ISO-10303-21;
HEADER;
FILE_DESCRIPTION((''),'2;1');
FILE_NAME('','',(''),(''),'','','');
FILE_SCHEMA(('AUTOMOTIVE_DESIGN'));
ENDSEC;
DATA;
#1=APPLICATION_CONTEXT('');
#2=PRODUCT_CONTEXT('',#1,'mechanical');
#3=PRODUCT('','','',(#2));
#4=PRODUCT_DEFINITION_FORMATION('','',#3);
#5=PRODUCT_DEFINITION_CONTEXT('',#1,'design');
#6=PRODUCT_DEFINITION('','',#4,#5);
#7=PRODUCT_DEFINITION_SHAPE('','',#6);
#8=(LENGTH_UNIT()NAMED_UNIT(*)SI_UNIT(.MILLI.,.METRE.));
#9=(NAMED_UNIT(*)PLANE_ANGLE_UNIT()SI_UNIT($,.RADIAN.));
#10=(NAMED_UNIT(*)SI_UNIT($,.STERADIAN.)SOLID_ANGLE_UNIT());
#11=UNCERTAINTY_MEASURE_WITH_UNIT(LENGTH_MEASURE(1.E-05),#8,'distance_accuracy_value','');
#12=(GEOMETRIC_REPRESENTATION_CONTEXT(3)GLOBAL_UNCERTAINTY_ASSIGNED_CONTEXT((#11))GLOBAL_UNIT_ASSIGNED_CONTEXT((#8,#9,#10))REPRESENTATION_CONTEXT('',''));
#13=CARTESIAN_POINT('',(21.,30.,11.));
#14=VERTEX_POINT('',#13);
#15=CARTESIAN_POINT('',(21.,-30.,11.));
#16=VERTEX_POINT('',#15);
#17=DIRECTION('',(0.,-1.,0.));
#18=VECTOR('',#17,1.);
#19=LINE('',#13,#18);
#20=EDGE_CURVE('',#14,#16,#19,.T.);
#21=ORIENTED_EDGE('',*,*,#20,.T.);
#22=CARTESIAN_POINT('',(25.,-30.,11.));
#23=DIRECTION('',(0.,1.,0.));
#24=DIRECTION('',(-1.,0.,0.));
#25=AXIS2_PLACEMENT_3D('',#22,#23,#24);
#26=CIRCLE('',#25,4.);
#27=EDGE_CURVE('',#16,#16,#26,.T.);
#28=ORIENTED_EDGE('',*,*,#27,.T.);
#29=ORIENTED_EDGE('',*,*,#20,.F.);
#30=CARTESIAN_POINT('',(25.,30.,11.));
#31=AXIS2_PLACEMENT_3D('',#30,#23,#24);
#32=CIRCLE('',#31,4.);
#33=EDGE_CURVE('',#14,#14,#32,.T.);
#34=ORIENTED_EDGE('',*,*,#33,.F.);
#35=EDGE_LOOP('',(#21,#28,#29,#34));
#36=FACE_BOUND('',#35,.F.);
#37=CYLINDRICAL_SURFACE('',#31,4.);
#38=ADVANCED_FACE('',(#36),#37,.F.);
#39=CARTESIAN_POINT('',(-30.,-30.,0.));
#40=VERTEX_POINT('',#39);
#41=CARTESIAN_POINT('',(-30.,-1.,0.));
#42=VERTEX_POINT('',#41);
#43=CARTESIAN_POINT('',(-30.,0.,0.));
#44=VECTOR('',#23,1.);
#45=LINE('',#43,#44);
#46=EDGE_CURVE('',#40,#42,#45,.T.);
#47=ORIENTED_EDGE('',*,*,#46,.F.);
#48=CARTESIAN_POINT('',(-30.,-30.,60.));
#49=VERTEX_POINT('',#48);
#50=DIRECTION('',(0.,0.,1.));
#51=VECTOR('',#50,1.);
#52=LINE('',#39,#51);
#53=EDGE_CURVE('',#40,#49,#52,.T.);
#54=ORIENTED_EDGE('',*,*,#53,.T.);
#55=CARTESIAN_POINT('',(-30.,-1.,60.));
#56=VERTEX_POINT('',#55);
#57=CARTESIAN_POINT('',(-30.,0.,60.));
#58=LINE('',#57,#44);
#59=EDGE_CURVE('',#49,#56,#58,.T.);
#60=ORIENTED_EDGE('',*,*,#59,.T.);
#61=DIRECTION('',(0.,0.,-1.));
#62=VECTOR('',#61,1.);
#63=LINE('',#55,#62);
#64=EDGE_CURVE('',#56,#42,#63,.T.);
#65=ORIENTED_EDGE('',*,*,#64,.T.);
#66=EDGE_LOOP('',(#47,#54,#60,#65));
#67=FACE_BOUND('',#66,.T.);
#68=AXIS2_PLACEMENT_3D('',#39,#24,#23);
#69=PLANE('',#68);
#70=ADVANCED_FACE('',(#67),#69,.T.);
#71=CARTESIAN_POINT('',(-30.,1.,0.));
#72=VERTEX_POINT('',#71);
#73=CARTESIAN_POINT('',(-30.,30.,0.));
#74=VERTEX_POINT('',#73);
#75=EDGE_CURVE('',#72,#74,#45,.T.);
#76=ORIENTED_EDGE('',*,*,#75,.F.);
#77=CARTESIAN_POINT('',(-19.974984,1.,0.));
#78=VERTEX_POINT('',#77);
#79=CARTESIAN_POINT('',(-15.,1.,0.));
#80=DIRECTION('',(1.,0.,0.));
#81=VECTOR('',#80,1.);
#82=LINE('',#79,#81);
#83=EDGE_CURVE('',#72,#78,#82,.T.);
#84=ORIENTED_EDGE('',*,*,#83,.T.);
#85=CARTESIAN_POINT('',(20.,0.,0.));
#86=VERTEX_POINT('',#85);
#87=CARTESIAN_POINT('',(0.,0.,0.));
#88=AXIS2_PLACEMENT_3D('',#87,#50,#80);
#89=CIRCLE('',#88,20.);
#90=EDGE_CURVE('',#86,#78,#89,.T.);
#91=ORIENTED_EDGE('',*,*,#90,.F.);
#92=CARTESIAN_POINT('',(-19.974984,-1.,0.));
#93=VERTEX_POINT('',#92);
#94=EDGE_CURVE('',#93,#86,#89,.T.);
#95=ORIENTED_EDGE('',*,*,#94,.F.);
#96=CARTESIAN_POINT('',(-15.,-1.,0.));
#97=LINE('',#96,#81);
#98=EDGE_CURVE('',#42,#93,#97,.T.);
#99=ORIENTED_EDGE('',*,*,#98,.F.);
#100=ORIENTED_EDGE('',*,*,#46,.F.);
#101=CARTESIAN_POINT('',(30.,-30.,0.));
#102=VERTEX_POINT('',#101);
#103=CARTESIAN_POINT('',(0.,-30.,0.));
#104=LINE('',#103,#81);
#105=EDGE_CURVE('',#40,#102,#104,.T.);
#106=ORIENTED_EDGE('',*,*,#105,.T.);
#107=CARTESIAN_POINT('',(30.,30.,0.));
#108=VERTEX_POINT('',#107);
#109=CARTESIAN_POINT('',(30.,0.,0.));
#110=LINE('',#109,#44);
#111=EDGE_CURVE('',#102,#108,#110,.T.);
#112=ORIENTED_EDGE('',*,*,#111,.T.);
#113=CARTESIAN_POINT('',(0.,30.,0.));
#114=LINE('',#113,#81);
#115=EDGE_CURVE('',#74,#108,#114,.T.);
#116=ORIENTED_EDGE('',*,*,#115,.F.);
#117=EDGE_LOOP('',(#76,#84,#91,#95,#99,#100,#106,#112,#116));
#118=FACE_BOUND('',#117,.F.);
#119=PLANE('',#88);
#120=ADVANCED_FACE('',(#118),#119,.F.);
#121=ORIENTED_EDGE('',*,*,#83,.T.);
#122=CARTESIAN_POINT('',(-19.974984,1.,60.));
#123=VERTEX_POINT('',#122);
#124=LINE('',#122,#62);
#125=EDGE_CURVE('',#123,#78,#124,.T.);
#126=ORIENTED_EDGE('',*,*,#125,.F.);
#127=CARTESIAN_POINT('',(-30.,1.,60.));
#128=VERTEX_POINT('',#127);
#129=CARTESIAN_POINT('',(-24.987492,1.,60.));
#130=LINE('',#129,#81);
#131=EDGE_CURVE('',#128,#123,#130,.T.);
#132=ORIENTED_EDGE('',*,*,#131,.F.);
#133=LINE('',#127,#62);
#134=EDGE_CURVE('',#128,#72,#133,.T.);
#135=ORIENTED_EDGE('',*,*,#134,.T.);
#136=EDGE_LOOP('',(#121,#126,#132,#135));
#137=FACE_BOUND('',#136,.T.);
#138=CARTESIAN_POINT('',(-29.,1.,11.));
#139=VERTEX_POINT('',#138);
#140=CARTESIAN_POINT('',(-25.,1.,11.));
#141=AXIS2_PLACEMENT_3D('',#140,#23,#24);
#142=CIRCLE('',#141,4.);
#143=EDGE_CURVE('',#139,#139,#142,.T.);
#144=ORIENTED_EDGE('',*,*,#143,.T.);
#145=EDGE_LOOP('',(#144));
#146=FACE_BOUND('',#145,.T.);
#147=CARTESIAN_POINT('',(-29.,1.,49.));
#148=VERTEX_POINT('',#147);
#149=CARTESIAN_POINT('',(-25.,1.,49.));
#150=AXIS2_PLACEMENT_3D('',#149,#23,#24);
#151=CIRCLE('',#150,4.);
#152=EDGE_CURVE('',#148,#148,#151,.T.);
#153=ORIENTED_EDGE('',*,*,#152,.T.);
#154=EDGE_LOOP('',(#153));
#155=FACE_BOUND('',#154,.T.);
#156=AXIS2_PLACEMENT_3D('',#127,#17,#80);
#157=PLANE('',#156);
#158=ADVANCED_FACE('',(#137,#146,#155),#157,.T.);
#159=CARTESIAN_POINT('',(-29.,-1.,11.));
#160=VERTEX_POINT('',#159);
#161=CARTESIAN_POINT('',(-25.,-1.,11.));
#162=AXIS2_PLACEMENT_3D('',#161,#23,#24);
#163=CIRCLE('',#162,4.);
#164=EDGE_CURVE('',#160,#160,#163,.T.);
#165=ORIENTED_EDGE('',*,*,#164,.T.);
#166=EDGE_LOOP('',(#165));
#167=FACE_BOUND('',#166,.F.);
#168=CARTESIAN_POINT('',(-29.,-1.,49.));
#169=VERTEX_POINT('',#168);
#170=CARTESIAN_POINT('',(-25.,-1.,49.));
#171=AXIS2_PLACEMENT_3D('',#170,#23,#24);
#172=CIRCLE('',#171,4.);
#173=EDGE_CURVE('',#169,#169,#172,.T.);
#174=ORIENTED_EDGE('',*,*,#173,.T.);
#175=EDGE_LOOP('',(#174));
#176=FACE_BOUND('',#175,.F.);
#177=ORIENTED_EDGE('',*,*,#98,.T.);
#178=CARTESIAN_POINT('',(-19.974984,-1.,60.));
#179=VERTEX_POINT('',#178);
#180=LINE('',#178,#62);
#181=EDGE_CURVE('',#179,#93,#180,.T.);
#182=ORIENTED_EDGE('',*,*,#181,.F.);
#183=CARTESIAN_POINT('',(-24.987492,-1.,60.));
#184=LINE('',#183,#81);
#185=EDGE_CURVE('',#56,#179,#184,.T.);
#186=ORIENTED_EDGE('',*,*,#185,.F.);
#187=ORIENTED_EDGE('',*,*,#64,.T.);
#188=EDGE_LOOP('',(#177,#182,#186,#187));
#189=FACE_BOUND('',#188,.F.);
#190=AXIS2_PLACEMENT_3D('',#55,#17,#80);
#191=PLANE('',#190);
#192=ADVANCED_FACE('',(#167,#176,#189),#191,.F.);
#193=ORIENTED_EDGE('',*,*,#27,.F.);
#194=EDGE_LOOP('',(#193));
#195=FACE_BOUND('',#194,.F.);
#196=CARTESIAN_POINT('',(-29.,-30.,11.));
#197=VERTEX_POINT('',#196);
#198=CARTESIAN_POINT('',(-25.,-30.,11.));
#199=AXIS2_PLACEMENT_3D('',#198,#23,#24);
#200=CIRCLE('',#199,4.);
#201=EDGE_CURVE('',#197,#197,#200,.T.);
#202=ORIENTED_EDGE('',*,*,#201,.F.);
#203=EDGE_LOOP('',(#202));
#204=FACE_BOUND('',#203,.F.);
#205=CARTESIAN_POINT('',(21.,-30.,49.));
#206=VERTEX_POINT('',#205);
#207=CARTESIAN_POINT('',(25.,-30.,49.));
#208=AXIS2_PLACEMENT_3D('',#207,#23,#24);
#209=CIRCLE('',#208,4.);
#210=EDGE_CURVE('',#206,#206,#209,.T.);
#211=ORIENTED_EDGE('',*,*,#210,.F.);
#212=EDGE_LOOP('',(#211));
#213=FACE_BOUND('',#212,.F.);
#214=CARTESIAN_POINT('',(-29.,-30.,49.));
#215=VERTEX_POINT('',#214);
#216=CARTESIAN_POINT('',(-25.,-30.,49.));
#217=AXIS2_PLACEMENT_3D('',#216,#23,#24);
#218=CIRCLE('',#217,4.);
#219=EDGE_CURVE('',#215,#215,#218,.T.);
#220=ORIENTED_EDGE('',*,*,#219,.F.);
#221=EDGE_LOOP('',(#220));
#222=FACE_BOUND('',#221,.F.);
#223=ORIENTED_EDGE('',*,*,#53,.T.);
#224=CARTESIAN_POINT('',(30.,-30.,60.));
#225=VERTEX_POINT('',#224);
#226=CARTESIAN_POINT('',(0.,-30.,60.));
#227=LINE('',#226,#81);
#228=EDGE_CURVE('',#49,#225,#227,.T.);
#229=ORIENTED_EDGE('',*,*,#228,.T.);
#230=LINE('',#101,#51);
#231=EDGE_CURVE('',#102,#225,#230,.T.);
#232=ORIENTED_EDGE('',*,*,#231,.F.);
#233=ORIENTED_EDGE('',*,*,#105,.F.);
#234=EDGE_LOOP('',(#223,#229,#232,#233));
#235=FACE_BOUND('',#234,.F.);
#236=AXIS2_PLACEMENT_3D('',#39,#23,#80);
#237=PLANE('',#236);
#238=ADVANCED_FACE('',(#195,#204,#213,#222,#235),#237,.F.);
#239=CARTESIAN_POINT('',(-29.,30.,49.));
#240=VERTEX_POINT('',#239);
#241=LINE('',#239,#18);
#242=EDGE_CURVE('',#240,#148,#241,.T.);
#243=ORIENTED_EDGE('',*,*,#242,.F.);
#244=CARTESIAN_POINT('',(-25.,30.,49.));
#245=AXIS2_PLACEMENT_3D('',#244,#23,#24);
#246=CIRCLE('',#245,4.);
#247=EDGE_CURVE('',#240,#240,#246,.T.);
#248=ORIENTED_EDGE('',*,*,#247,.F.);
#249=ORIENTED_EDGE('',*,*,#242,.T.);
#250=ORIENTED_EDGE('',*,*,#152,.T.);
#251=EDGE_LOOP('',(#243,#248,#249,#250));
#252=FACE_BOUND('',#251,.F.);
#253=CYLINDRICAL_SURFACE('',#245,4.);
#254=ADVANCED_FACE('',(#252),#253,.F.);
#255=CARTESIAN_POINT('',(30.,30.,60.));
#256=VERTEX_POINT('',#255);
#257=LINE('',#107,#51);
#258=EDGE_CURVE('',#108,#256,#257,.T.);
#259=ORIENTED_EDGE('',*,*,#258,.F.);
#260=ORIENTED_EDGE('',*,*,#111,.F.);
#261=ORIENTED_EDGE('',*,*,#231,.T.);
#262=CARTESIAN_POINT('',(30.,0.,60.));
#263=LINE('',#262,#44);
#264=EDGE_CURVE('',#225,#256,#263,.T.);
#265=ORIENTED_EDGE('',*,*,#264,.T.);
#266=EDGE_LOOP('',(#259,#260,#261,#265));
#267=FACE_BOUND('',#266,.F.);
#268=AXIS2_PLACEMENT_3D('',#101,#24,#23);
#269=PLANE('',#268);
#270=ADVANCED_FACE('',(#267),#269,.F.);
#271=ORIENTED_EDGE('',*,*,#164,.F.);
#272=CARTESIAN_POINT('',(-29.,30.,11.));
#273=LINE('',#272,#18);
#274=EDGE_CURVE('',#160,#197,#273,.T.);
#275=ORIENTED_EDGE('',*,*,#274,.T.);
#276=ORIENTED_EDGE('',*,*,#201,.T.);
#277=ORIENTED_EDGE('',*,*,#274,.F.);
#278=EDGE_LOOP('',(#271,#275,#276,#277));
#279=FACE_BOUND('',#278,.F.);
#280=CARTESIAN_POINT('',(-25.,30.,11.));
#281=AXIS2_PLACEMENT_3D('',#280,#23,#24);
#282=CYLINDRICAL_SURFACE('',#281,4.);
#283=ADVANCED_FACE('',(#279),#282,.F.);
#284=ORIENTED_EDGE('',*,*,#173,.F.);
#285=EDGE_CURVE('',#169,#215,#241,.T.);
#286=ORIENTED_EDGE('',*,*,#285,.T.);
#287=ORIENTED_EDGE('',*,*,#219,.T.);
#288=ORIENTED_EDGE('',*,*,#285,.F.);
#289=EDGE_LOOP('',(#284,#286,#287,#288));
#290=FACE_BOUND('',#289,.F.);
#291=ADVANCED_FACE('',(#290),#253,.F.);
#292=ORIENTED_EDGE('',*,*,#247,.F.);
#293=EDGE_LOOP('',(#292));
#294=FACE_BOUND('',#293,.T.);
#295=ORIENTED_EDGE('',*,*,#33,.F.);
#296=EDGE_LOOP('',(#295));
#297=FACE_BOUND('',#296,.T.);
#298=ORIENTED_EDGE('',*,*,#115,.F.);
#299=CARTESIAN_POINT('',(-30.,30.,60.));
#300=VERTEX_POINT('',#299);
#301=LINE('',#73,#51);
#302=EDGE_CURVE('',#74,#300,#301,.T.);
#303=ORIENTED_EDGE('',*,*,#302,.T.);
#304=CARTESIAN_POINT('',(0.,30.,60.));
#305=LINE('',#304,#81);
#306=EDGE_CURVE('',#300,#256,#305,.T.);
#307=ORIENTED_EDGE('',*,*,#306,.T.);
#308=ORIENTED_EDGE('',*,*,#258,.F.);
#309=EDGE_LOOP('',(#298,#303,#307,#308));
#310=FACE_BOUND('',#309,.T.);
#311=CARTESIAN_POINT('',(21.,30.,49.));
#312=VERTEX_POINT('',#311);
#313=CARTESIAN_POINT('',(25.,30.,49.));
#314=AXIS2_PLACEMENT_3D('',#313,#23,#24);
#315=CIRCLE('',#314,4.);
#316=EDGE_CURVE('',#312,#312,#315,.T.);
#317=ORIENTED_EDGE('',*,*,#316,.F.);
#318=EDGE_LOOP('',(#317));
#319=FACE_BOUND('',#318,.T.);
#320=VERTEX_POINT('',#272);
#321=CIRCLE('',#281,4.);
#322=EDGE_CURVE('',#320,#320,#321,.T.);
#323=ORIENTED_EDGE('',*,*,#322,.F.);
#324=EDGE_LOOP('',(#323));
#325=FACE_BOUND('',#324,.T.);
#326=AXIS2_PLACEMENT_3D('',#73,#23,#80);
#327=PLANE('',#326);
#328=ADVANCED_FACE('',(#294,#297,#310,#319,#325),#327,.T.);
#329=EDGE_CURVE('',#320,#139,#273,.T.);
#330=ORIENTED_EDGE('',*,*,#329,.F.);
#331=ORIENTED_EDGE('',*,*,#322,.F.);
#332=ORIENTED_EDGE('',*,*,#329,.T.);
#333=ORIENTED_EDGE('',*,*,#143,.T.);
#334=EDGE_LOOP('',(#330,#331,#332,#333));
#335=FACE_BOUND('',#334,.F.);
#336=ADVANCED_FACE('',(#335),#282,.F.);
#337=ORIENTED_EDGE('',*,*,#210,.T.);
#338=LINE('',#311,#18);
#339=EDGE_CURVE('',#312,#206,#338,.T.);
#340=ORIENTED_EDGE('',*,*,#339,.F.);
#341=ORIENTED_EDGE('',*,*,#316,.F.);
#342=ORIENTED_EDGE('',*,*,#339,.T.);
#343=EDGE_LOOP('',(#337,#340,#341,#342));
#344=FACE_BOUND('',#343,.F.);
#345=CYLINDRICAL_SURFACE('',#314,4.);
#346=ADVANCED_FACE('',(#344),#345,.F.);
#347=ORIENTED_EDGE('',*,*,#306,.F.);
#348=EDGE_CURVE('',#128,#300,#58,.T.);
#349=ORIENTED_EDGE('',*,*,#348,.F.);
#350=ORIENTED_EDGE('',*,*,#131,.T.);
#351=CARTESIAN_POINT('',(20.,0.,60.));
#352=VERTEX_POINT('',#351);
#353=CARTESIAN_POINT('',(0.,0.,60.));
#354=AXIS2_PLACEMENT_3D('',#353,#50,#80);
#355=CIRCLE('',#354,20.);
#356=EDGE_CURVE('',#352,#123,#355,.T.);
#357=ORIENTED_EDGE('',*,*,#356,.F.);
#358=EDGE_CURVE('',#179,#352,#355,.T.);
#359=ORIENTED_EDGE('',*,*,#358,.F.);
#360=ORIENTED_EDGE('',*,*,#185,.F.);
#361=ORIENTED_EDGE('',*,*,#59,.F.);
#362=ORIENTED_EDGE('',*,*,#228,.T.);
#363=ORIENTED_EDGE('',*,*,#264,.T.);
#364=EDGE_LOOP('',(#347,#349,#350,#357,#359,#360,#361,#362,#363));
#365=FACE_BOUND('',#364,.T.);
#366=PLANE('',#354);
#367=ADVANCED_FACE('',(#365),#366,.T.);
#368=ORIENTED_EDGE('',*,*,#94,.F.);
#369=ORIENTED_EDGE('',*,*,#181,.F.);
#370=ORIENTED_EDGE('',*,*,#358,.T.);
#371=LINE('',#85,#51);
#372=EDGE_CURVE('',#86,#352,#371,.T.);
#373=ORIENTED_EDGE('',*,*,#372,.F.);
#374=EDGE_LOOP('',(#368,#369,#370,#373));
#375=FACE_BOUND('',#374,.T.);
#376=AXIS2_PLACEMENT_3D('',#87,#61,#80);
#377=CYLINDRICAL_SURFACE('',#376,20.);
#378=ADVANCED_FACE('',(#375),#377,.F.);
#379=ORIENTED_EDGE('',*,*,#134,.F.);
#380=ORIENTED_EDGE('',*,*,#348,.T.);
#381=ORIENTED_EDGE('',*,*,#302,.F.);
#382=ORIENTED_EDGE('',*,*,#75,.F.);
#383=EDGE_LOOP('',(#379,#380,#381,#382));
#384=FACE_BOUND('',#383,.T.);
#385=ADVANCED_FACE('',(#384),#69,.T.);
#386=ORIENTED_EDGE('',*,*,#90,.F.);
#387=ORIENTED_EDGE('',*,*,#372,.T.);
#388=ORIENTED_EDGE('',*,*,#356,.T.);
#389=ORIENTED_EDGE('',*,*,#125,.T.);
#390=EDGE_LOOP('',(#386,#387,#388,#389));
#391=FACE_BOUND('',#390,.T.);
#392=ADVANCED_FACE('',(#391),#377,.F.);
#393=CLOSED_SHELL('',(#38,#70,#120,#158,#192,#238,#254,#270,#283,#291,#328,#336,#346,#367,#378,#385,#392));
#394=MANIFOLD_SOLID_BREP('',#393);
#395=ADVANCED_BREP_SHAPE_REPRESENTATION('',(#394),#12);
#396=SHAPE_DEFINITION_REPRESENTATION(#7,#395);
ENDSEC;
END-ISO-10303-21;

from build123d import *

# Parameters (mm, degrees)
F0_W     = 60
F0_H     = 60
F0_R     = 20
F1_DEPTH = 60
F2_W     = 10.025016
F2_H     = 2
F3_DEPTH = 60.001
F4_R     = 4
F5_DEPTH = 60


with BuildPart() as f1:
    # F0 (on Top) → F1 (new body)
    with BuildSketch(Plane.XY):
        Rectangle(F0_W, F0_H)
        Circle(F0_R, mode=Mode.SUBTRACT)
    extrude(amount=F1_DEPTH)

    # F2 (on face) → F3 (cut, through all)
    with BuildSketch(Plane.XY.offset(60)):
        with Locations((-24.987492, 0)):
            Rectangle(F2_W, F2_H)
    extrude(amount=-F3_DEPTH, mode=Mode.SUBTRACT)

    # F4 (on face) → F5 (cut)
    with BuildSketch(Plane(origin=(0, 30, 0), x_dir=(-1, 0, 0), z_dir=(0, 1, 0))):
        with Locations((25, 11)):
            Circle(F4_R)
        with Locations((25, 49)):
            Circle(F4_R)
        with Locations((-25, 49)):
            Circle(F4_R)
        with Locations((-25, 11)):
            Circle(F4_R)
    extrude(amount=-F5_DEPTH, mode=Mode.SUBTRACT)


solid = f1.part
